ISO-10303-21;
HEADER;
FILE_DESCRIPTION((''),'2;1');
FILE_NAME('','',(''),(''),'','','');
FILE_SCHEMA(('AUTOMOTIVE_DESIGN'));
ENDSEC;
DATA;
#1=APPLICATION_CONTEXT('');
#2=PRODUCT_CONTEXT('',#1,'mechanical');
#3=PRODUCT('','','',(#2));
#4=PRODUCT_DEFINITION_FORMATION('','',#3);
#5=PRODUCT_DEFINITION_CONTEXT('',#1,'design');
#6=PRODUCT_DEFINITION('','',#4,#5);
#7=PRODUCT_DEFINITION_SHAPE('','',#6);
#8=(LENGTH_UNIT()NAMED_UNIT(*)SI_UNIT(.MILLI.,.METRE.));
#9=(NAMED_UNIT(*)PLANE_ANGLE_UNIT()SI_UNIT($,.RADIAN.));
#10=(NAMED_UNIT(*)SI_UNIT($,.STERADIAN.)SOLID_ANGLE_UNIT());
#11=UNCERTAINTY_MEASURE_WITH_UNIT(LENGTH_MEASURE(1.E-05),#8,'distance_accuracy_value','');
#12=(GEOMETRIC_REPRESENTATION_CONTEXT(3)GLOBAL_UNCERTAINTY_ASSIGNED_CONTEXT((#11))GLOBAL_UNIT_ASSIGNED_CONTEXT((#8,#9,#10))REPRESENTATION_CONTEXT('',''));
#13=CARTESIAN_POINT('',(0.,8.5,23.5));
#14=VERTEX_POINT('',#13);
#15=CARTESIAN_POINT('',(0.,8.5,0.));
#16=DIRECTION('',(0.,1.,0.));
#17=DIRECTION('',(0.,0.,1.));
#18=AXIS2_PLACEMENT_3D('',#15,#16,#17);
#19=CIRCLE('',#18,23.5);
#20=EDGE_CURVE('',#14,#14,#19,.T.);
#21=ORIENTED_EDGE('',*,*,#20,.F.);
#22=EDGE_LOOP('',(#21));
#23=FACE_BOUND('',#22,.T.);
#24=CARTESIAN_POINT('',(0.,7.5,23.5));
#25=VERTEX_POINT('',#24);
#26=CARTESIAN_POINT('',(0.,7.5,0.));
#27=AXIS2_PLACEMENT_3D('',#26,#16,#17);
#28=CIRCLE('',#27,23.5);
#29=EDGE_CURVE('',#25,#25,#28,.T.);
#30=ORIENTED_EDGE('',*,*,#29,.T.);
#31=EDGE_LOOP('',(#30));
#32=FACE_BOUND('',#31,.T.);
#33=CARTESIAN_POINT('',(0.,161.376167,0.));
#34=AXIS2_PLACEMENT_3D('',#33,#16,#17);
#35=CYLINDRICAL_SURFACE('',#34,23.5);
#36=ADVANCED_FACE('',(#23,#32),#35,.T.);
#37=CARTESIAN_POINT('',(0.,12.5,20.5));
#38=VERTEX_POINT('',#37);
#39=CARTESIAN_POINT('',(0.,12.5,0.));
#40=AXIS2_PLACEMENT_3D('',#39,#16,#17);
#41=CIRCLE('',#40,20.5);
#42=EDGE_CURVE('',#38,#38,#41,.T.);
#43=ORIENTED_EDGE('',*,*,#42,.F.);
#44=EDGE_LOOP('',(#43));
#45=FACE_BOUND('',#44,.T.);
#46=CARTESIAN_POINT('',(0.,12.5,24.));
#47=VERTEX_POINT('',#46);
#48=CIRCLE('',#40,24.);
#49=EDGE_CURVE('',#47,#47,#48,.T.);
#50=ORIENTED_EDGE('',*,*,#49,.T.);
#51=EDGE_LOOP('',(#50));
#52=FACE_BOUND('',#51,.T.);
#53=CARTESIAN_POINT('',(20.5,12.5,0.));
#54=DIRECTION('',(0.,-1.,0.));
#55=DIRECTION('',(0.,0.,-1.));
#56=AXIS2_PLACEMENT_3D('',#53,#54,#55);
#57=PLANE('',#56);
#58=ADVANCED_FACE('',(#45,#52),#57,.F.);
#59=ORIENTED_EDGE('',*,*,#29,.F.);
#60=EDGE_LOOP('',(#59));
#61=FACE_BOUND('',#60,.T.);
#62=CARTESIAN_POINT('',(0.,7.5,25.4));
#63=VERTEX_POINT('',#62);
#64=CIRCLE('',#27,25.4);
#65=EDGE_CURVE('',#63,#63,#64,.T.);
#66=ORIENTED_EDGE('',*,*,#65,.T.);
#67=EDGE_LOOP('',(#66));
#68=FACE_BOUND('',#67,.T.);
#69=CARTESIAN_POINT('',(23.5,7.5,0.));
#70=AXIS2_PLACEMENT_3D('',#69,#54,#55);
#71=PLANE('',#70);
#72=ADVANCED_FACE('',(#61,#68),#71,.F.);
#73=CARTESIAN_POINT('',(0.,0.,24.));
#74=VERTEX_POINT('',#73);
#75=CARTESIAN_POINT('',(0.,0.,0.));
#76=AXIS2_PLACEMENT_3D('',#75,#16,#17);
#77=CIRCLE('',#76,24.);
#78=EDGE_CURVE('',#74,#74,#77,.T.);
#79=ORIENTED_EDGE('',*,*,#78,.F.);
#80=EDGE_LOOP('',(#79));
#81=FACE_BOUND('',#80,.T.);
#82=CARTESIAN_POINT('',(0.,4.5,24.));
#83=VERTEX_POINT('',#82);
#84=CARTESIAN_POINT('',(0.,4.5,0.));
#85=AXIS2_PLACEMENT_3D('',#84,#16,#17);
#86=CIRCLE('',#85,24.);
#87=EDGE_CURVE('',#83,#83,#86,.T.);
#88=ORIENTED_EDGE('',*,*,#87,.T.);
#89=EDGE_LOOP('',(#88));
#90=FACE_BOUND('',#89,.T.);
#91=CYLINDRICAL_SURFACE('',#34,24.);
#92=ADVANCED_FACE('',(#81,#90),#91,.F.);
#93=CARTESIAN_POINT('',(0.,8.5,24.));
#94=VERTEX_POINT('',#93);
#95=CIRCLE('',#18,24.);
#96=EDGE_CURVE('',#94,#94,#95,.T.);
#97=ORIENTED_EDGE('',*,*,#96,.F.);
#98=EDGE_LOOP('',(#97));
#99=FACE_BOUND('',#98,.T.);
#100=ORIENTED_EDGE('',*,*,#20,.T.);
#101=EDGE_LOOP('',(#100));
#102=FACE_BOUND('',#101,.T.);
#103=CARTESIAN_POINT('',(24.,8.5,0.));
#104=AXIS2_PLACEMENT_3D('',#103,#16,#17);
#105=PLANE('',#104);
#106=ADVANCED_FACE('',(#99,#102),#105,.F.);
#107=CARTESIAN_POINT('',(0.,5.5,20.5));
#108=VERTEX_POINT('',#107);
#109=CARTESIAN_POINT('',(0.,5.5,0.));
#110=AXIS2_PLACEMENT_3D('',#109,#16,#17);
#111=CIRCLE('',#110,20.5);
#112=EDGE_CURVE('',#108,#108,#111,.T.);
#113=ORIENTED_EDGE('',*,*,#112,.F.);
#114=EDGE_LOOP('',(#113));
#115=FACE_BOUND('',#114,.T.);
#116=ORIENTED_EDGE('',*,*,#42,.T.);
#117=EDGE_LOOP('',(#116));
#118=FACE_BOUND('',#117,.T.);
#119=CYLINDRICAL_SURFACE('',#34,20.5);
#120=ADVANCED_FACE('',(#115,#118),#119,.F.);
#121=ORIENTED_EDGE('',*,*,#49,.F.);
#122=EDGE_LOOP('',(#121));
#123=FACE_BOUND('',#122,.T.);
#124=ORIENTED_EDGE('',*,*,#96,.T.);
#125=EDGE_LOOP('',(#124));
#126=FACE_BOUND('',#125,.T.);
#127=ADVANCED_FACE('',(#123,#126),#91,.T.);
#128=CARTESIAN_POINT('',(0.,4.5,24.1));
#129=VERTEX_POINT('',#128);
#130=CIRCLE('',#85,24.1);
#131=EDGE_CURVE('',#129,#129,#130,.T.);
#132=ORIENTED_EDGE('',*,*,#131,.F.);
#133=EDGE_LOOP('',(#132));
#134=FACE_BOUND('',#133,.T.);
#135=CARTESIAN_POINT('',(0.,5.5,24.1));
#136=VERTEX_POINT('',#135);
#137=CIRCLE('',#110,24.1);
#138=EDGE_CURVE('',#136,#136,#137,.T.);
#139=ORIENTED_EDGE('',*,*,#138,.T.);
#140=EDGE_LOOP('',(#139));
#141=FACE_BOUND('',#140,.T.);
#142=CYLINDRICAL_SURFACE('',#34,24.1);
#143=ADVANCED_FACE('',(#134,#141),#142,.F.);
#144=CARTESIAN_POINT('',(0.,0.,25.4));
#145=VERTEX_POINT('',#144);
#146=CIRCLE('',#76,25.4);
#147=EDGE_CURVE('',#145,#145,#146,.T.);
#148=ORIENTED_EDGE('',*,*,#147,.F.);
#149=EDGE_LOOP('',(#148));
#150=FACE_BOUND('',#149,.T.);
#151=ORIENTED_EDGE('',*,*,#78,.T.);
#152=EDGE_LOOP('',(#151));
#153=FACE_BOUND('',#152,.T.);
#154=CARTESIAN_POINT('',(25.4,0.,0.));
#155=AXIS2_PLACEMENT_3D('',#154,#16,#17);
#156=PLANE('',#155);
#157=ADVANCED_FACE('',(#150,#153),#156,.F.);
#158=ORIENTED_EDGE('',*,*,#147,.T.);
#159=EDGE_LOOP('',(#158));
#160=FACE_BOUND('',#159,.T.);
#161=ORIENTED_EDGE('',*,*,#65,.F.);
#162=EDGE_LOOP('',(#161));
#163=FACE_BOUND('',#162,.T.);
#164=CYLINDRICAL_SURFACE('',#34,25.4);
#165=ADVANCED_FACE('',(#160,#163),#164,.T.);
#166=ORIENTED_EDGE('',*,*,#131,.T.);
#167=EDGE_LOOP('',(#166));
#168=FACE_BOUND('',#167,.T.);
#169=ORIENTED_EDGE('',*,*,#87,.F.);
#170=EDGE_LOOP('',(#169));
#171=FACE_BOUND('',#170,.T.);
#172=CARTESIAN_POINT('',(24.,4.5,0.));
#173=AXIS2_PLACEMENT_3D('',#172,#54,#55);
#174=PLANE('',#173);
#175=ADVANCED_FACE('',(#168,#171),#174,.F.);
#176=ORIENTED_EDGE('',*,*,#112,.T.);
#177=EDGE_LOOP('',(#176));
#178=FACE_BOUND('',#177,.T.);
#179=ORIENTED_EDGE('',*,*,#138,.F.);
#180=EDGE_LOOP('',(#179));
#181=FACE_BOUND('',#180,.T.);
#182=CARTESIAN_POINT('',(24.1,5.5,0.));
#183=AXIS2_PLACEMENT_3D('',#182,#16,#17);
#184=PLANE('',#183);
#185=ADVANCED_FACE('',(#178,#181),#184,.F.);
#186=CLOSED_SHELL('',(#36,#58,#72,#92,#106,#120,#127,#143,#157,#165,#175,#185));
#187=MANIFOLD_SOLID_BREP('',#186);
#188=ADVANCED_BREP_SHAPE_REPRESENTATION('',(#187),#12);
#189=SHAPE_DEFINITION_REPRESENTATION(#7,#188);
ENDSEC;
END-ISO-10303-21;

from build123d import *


with BuildPart() as part:
    # 草图1 → 旋转1 (revolve)
    with BuildSketch(Plane.XY, mode=Mode.PRIVATE) as revolve_1_sk:
        Polygon((20.5, 12.5), (24, 12.5), (24, 8.5), (23.5, 8.5), (23.5, 7.5), (25.4, 7.5), (25.4, 0), (24, 0), (24, 4.5), (24.1, 4.5), (24.1, 5.5), (20.5, 5.5), align=None)
    revolve(revolve_1_sk.sketch.rotate(Axis((0, 161.376166943, 0), (0, -1, 0)), 90), axis=Axis((0, 161.376166943, 0), (0, -1, 0)))  # turned: the seam where the file's is


solid = part.part
